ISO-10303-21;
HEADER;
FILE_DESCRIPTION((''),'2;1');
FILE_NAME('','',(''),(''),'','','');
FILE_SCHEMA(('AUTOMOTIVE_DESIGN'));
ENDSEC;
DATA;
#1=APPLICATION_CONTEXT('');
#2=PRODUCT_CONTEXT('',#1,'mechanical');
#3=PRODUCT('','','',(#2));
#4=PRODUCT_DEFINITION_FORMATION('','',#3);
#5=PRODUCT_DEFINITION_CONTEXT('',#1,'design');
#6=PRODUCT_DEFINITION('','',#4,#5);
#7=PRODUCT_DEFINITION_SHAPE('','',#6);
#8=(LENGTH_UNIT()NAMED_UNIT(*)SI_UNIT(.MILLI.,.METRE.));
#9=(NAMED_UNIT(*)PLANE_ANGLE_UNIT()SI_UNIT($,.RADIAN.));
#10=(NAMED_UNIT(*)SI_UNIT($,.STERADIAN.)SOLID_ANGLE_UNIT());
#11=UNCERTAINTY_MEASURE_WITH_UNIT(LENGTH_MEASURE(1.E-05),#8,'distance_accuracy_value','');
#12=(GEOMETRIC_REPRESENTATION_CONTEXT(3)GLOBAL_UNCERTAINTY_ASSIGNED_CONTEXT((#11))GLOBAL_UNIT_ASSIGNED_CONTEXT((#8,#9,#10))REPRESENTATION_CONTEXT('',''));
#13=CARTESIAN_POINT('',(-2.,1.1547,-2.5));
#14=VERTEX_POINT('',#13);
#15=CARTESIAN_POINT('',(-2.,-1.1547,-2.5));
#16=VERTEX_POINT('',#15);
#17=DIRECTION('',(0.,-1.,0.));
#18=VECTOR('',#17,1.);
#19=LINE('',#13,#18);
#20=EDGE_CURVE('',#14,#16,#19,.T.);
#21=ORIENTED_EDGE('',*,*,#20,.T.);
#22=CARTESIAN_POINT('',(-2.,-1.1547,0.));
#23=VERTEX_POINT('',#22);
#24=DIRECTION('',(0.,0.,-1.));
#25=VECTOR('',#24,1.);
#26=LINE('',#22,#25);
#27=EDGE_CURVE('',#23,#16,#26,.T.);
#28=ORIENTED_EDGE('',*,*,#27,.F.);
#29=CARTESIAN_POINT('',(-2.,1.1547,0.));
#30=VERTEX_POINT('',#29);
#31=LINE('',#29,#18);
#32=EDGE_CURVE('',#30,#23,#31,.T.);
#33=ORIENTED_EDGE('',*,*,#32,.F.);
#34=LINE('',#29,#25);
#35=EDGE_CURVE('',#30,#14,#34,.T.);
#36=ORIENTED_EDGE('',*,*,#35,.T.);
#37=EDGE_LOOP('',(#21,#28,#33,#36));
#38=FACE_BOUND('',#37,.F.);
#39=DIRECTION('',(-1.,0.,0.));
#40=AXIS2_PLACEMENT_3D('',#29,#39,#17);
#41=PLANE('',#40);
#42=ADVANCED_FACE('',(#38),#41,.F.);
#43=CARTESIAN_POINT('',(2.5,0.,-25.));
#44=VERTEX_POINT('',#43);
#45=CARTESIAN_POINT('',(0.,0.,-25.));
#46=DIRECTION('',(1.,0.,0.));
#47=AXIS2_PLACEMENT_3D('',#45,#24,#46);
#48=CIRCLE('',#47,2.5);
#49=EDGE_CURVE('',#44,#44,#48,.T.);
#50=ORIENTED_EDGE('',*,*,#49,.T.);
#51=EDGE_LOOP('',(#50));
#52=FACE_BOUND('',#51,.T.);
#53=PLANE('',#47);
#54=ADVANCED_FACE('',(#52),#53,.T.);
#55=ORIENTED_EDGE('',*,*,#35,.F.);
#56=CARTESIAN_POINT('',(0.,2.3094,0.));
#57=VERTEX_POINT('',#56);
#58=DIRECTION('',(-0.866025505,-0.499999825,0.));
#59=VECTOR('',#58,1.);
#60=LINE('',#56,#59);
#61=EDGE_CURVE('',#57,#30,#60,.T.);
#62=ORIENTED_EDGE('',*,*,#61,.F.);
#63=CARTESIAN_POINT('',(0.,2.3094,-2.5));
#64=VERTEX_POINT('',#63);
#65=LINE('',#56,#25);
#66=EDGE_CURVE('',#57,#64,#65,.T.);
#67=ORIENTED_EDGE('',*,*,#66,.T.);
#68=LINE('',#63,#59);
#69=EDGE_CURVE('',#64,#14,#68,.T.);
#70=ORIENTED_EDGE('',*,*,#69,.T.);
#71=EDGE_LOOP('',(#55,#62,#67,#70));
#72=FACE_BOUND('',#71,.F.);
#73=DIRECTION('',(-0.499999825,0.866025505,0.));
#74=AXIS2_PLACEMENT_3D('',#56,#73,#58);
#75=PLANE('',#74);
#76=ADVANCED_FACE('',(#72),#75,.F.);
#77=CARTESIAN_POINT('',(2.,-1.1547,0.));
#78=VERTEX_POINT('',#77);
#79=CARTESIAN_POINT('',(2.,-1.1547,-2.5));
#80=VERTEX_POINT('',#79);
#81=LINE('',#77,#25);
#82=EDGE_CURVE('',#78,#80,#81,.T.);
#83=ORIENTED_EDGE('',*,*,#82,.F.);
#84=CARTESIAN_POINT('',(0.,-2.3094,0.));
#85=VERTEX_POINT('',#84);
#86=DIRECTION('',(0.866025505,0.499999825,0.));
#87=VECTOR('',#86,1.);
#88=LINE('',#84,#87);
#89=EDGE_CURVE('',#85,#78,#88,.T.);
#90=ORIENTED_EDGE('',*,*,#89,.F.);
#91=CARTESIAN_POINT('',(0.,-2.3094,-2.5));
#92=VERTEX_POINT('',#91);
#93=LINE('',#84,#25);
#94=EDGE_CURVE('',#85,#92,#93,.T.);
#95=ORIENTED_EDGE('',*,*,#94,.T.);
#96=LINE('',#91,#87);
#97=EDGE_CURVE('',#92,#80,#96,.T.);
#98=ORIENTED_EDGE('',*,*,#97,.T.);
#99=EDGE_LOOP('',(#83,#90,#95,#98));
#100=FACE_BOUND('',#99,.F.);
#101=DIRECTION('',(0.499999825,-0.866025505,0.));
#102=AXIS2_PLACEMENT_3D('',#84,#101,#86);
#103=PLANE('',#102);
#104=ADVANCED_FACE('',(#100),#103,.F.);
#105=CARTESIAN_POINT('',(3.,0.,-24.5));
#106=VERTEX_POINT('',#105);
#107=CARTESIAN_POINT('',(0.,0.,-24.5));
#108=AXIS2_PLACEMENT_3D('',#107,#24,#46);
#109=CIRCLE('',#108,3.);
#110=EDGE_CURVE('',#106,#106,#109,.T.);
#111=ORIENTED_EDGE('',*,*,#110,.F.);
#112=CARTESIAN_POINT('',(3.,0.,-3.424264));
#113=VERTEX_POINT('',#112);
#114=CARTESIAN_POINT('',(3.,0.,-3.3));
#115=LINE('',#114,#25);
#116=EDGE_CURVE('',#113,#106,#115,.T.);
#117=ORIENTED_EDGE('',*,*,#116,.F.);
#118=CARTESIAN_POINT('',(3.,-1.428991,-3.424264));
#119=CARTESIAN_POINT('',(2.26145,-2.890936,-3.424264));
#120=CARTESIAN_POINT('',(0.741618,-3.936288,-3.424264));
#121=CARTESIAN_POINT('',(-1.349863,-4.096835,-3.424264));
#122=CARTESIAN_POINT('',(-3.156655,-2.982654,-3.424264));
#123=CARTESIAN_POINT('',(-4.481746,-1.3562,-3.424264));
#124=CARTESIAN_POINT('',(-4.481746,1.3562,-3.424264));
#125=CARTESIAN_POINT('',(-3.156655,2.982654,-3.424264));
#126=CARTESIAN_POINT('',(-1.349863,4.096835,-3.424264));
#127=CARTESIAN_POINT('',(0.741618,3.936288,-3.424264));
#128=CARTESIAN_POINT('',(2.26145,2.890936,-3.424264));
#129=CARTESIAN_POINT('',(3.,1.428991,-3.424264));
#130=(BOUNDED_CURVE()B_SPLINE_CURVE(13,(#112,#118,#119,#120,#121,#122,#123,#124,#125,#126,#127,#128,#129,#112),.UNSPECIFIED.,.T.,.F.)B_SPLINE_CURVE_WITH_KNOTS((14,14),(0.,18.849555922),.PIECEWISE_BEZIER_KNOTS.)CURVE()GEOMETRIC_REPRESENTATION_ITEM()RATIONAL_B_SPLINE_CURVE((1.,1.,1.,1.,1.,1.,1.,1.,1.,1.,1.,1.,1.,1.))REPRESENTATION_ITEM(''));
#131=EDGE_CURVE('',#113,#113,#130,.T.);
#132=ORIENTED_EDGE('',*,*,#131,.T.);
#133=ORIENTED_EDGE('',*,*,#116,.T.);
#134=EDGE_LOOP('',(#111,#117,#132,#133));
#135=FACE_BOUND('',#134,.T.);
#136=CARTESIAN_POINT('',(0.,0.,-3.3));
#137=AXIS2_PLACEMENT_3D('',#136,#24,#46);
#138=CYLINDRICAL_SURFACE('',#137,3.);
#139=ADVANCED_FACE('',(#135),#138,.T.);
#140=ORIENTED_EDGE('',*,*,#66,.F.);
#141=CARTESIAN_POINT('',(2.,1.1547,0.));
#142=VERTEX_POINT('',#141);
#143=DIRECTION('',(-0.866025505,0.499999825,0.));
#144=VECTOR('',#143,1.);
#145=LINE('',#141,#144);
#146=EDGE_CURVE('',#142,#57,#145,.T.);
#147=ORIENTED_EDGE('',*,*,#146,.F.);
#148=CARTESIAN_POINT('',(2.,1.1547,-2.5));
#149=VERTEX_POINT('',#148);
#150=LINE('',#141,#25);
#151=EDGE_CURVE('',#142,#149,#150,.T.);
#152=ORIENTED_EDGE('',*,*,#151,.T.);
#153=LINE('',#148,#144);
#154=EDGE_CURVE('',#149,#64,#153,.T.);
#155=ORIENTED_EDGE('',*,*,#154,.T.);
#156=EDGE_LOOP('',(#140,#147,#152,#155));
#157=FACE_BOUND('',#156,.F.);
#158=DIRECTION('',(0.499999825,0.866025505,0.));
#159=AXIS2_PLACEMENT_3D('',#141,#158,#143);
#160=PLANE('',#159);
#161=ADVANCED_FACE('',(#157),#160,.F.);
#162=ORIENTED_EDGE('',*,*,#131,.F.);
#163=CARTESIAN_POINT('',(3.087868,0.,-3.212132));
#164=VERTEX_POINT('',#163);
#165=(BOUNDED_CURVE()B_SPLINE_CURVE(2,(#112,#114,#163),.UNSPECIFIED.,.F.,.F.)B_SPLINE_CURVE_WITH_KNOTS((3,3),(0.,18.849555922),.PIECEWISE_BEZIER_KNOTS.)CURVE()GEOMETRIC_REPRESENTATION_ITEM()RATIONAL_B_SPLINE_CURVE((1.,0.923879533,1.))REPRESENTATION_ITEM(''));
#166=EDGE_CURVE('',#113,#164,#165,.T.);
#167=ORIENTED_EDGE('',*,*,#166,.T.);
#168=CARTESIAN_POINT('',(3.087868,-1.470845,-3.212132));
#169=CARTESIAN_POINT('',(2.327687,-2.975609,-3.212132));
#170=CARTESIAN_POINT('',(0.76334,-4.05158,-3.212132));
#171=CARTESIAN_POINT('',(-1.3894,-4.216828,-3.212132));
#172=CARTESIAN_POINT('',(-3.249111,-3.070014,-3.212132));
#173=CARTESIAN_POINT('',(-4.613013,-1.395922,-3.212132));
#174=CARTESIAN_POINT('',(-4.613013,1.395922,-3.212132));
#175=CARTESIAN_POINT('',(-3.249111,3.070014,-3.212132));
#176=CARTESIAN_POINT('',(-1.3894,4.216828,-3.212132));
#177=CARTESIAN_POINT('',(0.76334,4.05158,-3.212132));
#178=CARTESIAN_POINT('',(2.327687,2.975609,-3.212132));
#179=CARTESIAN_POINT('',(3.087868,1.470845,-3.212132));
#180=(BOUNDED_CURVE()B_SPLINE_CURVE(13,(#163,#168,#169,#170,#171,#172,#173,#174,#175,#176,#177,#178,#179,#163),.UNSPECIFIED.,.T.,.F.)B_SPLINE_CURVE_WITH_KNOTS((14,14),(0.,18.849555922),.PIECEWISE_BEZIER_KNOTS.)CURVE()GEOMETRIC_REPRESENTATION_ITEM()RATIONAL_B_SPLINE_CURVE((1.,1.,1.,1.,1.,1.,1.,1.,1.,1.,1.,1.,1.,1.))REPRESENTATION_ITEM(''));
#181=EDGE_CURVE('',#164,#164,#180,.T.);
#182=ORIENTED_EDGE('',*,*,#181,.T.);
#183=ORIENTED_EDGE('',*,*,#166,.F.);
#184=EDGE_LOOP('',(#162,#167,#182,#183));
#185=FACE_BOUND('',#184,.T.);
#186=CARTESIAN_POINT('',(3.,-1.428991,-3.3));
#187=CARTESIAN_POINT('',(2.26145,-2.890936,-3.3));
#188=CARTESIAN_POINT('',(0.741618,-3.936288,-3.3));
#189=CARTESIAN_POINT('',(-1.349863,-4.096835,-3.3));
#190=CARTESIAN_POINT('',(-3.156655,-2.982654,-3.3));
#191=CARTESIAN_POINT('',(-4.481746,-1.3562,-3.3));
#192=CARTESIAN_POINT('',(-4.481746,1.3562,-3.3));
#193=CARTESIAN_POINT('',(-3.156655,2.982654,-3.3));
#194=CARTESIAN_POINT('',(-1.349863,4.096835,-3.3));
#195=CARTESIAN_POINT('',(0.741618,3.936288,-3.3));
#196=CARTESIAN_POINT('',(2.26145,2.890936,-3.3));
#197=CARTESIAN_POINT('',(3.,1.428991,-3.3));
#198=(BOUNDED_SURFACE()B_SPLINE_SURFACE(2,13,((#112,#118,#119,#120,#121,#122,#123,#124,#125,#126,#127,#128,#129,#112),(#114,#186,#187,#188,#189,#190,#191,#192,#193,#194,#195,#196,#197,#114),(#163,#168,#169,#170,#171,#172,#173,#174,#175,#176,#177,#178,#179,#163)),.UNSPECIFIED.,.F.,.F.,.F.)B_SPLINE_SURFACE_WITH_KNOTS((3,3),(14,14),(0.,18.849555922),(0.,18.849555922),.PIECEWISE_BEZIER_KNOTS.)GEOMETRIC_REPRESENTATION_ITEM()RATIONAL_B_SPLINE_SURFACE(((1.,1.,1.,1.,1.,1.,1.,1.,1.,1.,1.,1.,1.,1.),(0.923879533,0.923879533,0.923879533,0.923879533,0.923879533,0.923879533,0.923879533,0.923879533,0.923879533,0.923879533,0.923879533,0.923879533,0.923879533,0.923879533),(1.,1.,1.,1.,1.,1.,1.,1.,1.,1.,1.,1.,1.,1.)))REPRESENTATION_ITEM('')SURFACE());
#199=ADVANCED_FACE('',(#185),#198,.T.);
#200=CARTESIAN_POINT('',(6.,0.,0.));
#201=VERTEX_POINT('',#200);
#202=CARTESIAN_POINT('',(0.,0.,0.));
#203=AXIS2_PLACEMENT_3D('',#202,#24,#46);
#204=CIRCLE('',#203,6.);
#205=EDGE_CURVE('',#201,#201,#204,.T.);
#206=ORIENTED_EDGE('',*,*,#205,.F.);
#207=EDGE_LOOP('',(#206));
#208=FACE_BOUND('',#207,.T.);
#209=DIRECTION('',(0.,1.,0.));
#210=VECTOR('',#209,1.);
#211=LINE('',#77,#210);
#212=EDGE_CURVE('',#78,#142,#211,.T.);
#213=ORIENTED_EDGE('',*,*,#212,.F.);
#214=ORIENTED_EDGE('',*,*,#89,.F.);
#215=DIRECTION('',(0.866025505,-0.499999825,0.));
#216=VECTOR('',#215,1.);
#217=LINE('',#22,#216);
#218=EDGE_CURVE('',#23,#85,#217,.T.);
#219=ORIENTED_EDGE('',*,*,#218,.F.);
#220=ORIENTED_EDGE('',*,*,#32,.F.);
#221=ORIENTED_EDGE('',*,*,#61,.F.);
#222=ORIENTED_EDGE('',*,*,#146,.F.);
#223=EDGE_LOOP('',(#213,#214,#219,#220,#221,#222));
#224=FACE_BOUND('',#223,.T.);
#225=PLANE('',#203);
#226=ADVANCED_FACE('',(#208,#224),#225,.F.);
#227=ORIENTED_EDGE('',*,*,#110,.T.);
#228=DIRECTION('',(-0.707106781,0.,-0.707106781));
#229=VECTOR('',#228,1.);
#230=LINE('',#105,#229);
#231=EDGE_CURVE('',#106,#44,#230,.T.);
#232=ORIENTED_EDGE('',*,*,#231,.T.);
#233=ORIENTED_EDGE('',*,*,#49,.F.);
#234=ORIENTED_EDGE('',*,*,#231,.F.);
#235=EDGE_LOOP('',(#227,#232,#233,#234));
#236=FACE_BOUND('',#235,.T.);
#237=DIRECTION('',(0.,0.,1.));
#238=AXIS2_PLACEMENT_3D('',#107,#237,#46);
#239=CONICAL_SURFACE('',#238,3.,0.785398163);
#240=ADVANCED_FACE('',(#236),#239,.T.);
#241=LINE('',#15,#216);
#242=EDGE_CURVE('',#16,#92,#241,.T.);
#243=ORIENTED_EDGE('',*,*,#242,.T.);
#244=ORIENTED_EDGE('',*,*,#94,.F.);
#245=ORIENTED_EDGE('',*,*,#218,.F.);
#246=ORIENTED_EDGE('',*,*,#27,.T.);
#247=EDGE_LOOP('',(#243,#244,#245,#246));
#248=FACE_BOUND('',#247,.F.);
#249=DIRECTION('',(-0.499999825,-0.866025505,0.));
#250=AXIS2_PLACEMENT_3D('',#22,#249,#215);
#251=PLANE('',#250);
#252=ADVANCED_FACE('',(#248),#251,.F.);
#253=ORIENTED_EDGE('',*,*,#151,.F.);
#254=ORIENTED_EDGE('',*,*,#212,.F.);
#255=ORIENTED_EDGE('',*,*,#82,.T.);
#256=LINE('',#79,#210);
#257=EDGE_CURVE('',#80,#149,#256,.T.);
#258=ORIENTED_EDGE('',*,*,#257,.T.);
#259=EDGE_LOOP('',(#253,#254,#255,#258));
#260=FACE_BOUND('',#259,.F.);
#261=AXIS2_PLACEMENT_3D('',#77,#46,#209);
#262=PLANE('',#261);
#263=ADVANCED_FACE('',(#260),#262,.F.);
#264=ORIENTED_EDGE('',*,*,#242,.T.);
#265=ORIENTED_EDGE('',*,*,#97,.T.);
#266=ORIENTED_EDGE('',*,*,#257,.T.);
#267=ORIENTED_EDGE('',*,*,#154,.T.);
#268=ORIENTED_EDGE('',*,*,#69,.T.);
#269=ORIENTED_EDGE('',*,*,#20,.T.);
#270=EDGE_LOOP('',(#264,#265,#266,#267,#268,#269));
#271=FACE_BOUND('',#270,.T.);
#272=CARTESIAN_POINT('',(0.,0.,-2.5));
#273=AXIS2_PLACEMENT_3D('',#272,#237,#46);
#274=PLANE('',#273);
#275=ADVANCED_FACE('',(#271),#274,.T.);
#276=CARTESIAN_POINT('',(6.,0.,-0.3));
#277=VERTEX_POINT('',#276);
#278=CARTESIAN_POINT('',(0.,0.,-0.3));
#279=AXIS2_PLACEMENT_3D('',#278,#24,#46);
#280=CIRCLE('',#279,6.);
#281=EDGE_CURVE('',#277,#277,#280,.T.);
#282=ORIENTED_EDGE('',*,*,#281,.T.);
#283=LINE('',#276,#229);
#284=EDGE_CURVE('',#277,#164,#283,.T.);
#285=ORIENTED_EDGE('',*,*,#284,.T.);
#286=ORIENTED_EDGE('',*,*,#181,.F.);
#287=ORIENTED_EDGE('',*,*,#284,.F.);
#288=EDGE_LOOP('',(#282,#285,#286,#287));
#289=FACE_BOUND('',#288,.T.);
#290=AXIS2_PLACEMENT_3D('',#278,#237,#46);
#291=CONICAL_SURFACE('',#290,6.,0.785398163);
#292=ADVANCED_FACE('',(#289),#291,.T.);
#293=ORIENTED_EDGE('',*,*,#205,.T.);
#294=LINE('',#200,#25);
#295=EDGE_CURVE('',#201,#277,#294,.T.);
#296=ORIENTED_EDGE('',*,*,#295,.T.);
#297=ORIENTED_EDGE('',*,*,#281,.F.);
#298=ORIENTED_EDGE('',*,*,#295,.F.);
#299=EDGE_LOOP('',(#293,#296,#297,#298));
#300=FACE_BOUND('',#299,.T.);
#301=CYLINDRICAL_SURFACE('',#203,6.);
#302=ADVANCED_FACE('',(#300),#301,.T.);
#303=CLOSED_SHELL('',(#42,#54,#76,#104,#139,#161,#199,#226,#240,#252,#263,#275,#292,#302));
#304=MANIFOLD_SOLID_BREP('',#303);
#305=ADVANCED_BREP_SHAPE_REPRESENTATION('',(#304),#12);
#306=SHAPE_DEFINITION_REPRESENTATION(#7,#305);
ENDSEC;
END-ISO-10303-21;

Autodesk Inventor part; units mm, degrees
ref_plane "YZ Plane" through (0, 0, 0) normal (1, 0, 0) x (0, 1, 0)
sketch "Sketch1" plane through (0, 0, 0) normal (0, 1, 0) x (-1, 0, 0)
  point P0 (0, 0)
sketch "Sketch2" plane through (0, 0, 0) normal (0, 1, 0) x (-1, 0, 0)
  line L0 (-3, -25) -> (0, -25)
  line L1 (-3, -3.3) -> (-3, -25)
  line L2 (-6, -0.3) -> (-3, -3.3)
  line L3 (-6, 0) -> (-6, -0.3)
  line L4 (0, 0) -> (-6, 0)
  line L5 (0, -25) -> (0, 0)
  line L6 (0, -25) -> (0, 0)
  line L7 (0, -30) -> (0, 5) projected
  line L8 (1.2, 0) -> (-7.2, 0) projected
  dimension "d3" = 6
  dimension "d5" = 3
  dimension "d7" = 25
  dimension "ParC" = 0.3
  dimension "d22" = 0
  dimension "d23" = 0
  dimension "d43" = 45
revolve "Revolution1" add sketch "Sketch2" angle 360 about axis through (0, 0, -25) along (0, 0, -1)
sketch "Sketch3" plane through (0, 0, 0) normal (0, 0, 1) x (1, 0, 0)
  line L0 (-2, 1.1547) -> (-2, -1.1547)
  line L1 (0, 2.3094) -> (-2, 1.1547)
  line L2 (2, 1.1547) -> (0, 2.3094)
  line L3 (2, -1.1547) -> (2, 1.1547)
  line L4 (0, -2.3094) -> (2, -1.1547)
  line L5 (-2, -1.1547) -> (0, -2.3094)
  circle A0 centre (0, 0) radius 2 construction
  circle A1 centre (0, 0) radius 3 construction
  dimension "d11" = 4
  dimension "d13" = 120
  dimension "d15" = 120
extrude "Extrusion1" cut sketch "Sketch3" against normal blind 2.5
fillet "Fillet1" radius 0.3 1 edges at (-3, 0, -3.3)
chamfer "Chamfer1" distance 0.5 angle 45 1 edges at (-3, 0, -25) measured on face at (2.4612, -1.7154, -17.8081)
thread "Thread1" size "M6x1" class "6g" standard "ISO Metric profile" length 18
ref_plane "MSC_PF1" through (0, 0, 0) normal (1, 0, 0) x (0, 1, 0)
ref_plane "MSC_PT1" through (0, 0, 0) normal (0, 0, -1) x (-1, 0, 0)
equation "\"d3\" = 0.5 * dk"
equation "\"d5\" = 0.5 * NND"
equation "\"d7\" = NLG"
equation "\"d43\" = 0.5 * ang"
equation "\"d18\" = r"
equation "\"d19\" = 0.5 * PTC"
equation "\"d39\" = 0.5 * PTC"
equation "\"d11\" = ParS"
equation "\"d16\" = ParT"
equation "\"NND\" = 6"
equation "\"PTC\" = 1"
equation "\"dk\" = 12"
equation "\"ParK\" = 3.3"
equation "\"ParS\" = 4"
equation "\"ParT\" = 2.5"
equation "\"r\" = 0.3"
equation "\"NLG\" = 25"
equation "\"ang\" = 90deg"
equation "\"THREADDIA\" = NND"
properties part number "CSK Allen Key 6x25mm" material "Steel, Mild"
